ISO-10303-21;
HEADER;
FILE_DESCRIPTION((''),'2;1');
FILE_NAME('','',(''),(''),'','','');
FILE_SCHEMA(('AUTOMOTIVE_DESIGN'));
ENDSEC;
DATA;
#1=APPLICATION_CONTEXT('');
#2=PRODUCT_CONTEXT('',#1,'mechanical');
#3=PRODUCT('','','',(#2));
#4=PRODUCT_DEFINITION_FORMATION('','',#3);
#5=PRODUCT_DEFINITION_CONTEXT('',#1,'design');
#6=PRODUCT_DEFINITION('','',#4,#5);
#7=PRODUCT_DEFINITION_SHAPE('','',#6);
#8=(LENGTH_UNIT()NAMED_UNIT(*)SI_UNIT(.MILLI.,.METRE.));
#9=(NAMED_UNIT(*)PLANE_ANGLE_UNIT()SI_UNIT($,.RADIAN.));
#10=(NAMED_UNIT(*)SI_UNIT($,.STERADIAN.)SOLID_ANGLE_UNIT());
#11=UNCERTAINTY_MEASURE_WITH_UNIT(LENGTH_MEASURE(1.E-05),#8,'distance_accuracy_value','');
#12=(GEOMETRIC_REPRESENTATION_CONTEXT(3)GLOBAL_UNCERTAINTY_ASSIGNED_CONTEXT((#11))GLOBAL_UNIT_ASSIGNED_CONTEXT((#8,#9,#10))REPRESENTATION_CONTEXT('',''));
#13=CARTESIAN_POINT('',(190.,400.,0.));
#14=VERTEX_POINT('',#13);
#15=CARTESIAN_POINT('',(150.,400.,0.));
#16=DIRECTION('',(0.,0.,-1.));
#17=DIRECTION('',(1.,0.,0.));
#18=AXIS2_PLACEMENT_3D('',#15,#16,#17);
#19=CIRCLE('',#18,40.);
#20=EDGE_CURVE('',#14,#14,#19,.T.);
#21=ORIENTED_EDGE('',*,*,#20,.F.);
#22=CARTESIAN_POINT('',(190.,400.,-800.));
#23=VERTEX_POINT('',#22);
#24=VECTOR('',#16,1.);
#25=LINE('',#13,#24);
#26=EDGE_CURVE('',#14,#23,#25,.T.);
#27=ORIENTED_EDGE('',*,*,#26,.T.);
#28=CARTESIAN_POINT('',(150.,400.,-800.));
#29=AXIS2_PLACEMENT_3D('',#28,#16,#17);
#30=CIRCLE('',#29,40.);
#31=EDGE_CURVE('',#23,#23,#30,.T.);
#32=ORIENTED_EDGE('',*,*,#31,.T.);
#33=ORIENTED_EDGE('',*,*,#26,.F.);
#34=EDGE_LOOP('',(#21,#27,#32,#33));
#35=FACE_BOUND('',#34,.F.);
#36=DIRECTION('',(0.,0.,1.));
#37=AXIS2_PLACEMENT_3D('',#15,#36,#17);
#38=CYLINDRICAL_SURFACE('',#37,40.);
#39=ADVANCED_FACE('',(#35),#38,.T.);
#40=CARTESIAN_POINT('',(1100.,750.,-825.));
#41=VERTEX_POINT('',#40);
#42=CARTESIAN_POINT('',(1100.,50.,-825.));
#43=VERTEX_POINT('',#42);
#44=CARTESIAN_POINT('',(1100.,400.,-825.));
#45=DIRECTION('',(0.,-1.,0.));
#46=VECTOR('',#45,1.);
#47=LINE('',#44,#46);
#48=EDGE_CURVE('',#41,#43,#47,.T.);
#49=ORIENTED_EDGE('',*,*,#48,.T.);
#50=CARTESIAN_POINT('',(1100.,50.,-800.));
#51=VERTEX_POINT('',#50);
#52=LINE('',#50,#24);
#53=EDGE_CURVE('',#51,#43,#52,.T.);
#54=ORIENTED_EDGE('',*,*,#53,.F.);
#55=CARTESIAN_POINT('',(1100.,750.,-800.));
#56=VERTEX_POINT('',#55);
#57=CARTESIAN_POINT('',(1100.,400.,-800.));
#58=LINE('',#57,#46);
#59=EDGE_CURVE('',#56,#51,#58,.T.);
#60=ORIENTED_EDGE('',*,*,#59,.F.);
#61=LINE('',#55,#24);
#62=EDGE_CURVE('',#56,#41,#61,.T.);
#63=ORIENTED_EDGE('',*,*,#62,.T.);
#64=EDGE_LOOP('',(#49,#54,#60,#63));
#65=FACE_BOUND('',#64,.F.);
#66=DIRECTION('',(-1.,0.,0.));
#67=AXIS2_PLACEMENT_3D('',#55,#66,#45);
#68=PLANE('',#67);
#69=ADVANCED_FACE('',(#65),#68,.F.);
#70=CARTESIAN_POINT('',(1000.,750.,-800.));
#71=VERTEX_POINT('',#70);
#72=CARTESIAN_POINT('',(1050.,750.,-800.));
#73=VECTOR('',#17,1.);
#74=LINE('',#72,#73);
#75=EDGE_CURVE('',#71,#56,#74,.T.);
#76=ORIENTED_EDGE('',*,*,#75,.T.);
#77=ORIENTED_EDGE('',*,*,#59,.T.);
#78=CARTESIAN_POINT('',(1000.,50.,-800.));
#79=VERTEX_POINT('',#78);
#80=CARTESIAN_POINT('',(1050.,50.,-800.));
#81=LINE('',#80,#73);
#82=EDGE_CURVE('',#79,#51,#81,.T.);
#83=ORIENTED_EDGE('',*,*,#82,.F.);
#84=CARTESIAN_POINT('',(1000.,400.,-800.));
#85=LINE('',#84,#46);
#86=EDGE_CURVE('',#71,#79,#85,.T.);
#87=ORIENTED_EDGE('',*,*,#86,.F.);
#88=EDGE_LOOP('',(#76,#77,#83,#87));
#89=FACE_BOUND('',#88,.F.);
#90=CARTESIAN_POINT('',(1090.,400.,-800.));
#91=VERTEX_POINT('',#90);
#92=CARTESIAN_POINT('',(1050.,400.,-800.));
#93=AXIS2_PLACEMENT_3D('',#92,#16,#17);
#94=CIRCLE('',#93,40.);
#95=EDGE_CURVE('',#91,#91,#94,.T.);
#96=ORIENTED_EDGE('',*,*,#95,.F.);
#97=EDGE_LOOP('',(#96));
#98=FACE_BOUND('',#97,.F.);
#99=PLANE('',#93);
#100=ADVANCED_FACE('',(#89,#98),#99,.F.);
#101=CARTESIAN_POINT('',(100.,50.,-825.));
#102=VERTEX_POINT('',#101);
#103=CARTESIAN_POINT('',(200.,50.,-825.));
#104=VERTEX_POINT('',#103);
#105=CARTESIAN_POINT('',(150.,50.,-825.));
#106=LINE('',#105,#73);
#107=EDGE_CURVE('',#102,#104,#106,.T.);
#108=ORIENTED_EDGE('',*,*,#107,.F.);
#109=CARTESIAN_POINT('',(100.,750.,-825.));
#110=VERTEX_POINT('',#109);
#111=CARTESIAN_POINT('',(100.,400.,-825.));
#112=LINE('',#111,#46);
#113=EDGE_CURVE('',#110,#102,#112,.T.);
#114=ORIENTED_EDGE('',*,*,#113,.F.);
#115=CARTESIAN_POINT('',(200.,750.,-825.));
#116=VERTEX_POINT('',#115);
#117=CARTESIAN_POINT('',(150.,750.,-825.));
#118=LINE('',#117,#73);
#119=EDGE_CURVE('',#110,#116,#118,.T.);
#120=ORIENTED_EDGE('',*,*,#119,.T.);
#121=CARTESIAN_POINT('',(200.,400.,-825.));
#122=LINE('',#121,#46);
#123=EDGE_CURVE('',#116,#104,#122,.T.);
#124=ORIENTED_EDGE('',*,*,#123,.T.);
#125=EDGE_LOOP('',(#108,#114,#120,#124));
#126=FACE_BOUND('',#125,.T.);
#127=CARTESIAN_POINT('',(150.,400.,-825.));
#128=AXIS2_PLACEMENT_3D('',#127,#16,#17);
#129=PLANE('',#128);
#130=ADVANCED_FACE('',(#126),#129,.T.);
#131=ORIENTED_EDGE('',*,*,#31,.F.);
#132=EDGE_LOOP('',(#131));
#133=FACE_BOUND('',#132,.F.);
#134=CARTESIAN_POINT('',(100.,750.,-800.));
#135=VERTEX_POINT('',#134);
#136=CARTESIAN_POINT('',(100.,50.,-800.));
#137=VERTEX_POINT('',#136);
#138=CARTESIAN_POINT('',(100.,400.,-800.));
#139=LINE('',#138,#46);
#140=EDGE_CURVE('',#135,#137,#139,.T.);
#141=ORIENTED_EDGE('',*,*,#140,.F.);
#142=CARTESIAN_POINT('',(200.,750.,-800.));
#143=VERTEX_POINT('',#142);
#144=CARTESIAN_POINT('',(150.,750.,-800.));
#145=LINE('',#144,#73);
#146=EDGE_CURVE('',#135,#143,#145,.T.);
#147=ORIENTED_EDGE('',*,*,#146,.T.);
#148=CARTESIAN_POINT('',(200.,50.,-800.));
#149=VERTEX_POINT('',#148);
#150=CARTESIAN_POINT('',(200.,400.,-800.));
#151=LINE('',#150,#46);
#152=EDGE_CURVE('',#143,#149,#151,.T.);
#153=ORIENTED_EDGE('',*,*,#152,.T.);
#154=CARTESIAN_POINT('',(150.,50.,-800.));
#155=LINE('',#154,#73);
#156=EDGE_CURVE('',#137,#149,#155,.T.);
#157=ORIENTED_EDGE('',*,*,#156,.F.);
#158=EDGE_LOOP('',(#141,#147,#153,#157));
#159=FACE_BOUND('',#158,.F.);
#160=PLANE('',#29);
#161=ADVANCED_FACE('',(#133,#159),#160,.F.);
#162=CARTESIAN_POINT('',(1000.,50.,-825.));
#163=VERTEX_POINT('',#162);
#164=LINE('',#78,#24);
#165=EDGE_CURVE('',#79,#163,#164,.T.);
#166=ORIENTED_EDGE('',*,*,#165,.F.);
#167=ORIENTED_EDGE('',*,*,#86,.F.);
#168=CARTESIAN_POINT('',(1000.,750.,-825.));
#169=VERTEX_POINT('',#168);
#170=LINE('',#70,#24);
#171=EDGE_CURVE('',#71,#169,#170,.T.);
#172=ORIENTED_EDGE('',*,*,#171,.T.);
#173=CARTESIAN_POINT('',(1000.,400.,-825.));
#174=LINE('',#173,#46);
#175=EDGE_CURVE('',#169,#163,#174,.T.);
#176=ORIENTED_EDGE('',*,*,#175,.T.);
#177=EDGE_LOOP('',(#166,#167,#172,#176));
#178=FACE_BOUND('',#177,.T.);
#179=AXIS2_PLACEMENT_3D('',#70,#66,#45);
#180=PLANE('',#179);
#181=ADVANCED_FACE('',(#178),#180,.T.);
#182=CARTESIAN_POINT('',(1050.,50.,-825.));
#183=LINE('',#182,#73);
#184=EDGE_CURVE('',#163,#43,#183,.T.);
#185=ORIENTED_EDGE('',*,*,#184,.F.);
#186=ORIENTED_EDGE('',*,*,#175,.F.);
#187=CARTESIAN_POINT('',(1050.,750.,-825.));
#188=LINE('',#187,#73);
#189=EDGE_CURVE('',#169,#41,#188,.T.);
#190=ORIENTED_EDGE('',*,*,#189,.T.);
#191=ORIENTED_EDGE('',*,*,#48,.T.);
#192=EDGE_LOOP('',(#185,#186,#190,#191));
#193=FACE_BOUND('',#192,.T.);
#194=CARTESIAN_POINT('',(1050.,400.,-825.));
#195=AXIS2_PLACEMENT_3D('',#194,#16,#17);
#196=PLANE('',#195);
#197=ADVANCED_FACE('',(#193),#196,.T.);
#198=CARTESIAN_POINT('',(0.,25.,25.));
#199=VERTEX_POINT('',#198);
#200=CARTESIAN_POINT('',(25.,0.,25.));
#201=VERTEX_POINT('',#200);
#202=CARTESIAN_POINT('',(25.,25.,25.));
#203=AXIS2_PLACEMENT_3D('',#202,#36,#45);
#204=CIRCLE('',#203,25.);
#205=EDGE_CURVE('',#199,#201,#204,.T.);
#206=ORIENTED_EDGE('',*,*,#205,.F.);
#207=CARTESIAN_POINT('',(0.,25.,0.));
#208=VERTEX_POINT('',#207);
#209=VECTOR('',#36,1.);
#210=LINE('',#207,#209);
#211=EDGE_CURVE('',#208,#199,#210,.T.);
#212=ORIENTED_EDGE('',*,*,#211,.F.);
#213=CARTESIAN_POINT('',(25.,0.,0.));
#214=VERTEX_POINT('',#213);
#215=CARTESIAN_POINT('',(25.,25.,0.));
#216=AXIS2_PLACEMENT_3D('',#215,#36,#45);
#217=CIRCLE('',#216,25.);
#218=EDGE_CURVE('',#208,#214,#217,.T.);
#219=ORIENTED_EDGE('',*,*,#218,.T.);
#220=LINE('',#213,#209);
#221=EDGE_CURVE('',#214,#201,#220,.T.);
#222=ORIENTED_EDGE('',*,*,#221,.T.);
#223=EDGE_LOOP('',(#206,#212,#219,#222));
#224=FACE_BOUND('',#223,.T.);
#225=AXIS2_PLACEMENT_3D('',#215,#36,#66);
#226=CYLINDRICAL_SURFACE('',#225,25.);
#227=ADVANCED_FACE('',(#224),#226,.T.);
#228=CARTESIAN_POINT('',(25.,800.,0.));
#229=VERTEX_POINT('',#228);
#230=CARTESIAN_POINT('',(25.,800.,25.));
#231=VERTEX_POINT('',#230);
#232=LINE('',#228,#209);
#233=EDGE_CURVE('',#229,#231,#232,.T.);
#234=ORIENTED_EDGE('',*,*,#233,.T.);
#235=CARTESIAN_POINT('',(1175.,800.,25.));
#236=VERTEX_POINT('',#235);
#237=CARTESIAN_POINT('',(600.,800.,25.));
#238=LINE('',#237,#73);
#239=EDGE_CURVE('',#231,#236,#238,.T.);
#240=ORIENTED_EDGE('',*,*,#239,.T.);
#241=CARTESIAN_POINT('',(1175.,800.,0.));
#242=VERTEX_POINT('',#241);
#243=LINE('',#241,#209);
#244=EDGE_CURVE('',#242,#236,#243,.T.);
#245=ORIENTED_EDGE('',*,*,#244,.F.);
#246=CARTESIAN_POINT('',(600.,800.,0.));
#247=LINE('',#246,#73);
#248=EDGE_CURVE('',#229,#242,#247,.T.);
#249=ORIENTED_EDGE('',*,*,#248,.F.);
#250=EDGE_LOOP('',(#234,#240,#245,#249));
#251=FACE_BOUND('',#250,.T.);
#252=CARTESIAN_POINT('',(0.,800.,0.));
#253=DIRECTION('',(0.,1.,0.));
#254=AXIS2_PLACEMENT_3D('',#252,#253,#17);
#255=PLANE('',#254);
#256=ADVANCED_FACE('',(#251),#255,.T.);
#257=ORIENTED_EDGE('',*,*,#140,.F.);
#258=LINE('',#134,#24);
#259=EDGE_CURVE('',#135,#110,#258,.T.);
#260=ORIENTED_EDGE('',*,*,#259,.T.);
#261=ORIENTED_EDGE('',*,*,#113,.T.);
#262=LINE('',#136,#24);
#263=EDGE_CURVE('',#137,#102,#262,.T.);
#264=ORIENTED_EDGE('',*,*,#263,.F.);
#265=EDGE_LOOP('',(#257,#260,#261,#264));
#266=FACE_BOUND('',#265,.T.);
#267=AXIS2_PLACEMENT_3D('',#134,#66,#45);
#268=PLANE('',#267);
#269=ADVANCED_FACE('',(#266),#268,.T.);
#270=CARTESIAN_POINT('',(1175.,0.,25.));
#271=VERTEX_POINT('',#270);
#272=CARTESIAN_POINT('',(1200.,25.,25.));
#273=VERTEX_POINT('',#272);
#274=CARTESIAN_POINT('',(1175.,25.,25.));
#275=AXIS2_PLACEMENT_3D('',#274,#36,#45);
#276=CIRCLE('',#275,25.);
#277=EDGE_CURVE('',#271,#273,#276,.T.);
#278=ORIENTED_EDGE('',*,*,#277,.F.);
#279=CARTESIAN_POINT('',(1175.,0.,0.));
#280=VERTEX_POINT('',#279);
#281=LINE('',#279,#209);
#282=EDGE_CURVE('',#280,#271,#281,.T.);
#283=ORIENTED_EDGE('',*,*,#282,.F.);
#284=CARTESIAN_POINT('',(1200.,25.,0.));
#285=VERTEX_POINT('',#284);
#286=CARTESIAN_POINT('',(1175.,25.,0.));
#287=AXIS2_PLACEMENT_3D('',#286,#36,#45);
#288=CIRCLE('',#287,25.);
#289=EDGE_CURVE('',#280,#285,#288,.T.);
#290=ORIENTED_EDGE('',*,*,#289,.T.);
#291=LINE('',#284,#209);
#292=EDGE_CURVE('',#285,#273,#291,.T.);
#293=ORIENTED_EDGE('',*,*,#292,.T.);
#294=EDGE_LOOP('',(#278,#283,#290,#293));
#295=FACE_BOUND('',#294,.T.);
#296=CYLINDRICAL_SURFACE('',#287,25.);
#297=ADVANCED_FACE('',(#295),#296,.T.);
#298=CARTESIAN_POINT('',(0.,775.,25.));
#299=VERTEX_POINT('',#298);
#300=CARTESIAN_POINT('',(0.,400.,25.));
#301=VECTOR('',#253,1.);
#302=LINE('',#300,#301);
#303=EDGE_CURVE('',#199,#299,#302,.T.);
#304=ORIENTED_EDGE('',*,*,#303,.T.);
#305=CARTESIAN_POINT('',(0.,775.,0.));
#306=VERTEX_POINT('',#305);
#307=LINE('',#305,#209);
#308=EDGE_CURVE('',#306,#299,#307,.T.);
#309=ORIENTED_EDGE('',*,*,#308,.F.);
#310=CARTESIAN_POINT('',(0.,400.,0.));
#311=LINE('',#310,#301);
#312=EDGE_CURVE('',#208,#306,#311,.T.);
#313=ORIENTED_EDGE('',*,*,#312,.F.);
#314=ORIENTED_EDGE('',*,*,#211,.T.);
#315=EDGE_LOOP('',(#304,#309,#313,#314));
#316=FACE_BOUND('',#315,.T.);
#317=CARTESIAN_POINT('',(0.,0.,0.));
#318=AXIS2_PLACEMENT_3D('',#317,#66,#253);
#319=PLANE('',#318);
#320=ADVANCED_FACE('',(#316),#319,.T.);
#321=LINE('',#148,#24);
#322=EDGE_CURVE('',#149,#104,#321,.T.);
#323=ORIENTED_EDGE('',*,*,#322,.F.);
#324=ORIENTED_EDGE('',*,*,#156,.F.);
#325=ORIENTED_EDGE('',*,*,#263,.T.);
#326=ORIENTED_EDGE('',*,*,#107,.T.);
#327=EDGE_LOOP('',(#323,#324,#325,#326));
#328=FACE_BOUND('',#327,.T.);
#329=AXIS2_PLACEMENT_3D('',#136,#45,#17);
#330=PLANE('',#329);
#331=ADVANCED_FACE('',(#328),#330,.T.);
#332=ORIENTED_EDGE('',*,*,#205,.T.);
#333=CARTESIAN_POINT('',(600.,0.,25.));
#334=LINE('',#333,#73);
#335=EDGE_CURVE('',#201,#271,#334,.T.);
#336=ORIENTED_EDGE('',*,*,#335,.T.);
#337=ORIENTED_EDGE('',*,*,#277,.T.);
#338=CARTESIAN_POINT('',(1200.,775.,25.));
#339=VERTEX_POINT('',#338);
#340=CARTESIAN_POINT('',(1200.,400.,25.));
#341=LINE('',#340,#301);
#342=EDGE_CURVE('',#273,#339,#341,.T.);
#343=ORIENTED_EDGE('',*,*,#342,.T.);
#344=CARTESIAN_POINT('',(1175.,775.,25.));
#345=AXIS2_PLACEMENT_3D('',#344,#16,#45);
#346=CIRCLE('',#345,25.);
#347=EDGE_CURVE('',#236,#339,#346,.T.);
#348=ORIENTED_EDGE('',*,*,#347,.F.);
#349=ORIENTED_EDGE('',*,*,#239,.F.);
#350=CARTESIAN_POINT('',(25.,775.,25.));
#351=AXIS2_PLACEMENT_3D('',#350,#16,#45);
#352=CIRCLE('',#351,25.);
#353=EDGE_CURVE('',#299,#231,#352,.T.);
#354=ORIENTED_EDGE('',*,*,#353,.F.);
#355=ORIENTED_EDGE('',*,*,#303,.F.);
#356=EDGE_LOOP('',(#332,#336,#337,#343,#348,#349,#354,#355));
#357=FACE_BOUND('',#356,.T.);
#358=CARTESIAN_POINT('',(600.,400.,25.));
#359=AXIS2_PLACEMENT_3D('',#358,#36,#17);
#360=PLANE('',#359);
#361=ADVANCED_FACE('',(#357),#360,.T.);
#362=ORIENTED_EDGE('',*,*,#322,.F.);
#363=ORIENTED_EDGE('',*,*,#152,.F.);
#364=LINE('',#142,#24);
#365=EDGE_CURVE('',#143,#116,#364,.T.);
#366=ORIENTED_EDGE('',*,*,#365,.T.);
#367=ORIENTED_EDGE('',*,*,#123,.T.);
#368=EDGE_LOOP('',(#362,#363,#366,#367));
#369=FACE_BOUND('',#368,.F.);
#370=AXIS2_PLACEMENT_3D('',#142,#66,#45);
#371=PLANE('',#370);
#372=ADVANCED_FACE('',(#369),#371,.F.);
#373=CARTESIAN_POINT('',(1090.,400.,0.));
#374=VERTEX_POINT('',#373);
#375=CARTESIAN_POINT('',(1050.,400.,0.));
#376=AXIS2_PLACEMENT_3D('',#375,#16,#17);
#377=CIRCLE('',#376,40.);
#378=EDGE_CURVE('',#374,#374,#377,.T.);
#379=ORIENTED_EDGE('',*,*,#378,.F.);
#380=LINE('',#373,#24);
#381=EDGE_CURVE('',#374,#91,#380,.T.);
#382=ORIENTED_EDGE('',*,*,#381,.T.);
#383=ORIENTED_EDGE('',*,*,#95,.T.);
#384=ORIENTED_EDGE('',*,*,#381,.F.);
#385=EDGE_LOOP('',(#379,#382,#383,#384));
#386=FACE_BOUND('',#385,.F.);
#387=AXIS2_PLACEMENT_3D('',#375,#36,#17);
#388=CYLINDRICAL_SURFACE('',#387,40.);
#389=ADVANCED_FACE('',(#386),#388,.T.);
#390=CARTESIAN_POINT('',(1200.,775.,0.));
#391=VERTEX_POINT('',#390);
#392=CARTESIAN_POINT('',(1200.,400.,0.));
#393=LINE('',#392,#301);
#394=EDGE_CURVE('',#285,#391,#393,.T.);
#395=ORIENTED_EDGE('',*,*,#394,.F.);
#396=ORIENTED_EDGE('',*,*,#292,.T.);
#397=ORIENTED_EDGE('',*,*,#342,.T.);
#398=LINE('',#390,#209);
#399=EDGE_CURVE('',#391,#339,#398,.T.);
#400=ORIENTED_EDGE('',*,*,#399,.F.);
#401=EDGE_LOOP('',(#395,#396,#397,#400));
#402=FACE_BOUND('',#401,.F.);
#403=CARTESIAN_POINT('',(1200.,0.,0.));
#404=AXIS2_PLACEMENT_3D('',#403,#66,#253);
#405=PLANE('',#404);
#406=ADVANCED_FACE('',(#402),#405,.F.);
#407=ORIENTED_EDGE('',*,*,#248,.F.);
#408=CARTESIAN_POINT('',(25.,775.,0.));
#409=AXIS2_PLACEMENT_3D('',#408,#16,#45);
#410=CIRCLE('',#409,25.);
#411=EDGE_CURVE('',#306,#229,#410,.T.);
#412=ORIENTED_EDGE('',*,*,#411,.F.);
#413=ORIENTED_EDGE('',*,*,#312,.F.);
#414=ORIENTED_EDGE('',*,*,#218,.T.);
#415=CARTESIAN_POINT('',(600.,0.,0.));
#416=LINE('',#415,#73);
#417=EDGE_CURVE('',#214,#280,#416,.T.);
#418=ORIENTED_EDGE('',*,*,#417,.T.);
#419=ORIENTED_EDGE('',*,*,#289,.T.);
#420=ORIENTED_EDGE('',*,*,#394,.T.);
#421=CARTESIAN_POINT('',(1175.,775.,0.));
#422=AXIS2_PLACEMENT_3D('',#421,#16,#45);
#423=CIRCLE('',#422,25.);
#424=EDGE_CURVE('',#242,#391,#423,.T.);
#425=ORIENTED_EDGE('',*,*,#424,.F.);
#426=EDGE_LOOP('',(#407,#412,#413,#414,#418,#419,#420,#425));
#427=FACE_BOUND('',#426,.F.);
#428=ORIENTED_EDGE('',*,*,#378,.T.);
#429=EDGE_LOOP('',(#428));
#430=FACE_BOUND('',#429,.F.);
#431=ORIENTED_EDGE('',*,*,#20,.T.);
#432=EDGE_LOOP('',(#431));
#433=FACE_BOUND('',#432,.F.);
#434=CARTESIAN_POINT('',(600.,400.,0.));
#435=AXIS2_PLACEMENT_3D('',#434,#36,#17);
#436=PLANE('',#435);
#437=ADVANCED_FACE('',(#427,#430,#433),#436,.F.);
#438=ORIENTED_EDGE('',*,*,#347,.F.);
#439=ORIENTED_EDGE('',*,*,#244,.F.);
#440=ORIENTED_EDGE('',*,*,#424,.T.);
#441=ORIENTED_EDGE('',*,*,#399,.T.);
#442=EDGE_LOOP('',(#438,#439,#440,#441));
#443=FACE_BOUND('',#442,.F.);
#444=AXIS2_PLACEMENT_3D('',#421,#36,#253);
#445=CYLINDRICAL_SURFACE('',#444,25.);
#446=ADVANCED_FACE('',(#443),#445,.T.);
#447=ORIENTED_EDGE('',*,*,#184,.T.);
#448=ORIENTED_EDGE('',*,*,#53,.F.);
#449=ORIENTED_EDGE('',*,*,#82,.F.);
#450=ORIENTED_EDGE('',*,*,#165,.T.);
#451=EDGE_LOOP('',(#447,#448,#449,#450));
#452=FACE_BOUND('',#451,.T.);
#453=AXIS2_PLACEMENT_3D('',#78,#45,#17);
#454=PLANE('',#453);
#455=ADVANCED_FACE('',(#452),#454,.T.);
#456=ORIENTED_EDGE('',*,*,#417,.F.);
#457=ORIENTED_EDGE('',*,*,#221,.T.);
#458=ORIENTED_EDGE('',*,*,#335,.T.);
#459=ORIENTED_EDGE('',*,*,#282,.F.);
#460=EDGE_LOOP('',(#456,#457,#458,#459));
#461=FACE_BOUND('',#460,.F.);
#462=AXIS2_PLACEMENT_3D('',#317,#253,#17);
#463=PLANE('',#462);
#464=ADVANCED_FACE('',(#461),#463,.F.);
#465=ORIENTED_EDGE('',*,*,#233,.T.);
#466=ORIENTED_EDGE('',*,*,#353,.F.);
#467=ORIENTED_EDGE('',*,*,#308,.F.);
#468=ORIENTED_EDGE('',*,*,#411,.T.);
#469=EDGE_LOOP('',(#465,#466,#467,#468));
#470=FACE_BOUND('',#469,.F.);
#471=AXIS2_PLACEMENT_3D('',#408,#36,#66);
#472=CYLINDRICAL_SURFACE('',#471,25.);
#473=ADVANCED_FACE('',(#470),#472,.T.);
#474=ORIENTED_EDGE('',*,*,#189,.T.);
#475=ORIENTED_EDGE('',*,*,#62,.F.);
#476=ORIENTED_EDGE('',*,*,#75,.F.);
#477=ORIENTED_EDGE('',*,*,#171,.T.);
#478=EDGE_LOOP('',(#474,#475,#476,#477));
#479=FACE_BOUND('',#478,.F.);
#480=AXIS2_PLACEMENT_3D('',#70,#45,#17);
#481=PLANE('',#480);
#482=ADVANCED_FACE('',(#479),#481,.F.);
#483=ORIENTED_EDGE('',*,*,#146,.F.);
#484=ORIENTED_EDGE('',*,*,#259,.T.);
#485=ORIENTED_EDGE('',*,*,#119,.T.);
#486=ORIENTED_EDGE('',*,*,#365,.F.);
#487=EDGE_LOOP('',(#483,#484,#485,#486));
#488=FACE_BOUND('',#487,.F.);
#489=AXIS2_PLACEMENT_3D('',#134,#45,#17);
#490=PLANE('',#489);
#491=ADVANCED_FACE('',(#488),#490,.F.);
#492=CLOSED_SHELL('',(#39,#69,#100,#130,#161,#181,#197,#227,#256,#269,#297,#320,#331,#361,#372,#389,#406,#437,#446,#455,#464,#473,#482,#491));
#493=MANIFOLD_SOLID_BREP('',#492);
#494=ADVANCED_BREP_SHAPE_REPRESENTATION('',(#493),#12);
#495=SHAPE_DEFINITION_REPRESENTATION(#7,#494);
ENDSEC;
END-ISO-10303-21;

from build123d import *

# Parameters (mm, degrees)
F0_W     = 1200
F0_H     = 800
F1_DEPTH = 25
F2_R     = 40
F3_DEPTH = 800
F4_W     = 100
F4_H     = 700
F5_DEPTH = 25
F6_W     = 100
F6_H     = 700
F7_DEPTH = 25
F8_R     = 25


with BuildPart() as f1:
    # F0 (on Top) → F1 (new body)
    with BuildSketch(Plane.XY):
        with Locations((600, 400)):
            Rectangle(F0_W, F0_H)
    extrude(amount=F1_DEPTH)

    # F2 (on face) → F3 (join)
    with BuildSketch(Plane(origin=(0, 0, 0), x_dir=(1, 0, 0), z_dir=(0, 0, -1))):
        with Locations((150, -400)):
            Circle(F2_R)
        with Locations((1050, -400)):
            Circle(F2_R)
    extrude(amount=F3_DEPTH)

    # F4 (on face) → F5 (join)
    with BuildSketch(Plane(origin=(0, 0, -800), x_dir=(1, 0, 0), z_dir=(0, 0, -1))):
        with Locations((150, -400)):
            Rectangle(F4_W, F4_H)
    extrude(amount=F5_DEPTH)

    # F6 (on face) → F7 (join)
    with BuildSketch(Plane(origin=(0, 0, -800), x_dir=(1, 0, 0), z_dir=(0, 0, -1))):
        with Locations((1050, -400)):
            Rectangle(F6_W, F6_H)
    extrude(amount=F7_DEPTH)

    # F8
    f8_edges = [f1.edges().sort_by_distance(p)[0] for p in [
        (1200, 0, 12.5),
        (1200, 800, 12.5),
        (0, 0, 12.5),
        (0, 800, 12.5),
    ]]
    fillet(f8_edges, radius=F8_R)


with BuildPart() as f9_1:
    # F9: copy of F1
    add(f1.part)


solid = f1.part
